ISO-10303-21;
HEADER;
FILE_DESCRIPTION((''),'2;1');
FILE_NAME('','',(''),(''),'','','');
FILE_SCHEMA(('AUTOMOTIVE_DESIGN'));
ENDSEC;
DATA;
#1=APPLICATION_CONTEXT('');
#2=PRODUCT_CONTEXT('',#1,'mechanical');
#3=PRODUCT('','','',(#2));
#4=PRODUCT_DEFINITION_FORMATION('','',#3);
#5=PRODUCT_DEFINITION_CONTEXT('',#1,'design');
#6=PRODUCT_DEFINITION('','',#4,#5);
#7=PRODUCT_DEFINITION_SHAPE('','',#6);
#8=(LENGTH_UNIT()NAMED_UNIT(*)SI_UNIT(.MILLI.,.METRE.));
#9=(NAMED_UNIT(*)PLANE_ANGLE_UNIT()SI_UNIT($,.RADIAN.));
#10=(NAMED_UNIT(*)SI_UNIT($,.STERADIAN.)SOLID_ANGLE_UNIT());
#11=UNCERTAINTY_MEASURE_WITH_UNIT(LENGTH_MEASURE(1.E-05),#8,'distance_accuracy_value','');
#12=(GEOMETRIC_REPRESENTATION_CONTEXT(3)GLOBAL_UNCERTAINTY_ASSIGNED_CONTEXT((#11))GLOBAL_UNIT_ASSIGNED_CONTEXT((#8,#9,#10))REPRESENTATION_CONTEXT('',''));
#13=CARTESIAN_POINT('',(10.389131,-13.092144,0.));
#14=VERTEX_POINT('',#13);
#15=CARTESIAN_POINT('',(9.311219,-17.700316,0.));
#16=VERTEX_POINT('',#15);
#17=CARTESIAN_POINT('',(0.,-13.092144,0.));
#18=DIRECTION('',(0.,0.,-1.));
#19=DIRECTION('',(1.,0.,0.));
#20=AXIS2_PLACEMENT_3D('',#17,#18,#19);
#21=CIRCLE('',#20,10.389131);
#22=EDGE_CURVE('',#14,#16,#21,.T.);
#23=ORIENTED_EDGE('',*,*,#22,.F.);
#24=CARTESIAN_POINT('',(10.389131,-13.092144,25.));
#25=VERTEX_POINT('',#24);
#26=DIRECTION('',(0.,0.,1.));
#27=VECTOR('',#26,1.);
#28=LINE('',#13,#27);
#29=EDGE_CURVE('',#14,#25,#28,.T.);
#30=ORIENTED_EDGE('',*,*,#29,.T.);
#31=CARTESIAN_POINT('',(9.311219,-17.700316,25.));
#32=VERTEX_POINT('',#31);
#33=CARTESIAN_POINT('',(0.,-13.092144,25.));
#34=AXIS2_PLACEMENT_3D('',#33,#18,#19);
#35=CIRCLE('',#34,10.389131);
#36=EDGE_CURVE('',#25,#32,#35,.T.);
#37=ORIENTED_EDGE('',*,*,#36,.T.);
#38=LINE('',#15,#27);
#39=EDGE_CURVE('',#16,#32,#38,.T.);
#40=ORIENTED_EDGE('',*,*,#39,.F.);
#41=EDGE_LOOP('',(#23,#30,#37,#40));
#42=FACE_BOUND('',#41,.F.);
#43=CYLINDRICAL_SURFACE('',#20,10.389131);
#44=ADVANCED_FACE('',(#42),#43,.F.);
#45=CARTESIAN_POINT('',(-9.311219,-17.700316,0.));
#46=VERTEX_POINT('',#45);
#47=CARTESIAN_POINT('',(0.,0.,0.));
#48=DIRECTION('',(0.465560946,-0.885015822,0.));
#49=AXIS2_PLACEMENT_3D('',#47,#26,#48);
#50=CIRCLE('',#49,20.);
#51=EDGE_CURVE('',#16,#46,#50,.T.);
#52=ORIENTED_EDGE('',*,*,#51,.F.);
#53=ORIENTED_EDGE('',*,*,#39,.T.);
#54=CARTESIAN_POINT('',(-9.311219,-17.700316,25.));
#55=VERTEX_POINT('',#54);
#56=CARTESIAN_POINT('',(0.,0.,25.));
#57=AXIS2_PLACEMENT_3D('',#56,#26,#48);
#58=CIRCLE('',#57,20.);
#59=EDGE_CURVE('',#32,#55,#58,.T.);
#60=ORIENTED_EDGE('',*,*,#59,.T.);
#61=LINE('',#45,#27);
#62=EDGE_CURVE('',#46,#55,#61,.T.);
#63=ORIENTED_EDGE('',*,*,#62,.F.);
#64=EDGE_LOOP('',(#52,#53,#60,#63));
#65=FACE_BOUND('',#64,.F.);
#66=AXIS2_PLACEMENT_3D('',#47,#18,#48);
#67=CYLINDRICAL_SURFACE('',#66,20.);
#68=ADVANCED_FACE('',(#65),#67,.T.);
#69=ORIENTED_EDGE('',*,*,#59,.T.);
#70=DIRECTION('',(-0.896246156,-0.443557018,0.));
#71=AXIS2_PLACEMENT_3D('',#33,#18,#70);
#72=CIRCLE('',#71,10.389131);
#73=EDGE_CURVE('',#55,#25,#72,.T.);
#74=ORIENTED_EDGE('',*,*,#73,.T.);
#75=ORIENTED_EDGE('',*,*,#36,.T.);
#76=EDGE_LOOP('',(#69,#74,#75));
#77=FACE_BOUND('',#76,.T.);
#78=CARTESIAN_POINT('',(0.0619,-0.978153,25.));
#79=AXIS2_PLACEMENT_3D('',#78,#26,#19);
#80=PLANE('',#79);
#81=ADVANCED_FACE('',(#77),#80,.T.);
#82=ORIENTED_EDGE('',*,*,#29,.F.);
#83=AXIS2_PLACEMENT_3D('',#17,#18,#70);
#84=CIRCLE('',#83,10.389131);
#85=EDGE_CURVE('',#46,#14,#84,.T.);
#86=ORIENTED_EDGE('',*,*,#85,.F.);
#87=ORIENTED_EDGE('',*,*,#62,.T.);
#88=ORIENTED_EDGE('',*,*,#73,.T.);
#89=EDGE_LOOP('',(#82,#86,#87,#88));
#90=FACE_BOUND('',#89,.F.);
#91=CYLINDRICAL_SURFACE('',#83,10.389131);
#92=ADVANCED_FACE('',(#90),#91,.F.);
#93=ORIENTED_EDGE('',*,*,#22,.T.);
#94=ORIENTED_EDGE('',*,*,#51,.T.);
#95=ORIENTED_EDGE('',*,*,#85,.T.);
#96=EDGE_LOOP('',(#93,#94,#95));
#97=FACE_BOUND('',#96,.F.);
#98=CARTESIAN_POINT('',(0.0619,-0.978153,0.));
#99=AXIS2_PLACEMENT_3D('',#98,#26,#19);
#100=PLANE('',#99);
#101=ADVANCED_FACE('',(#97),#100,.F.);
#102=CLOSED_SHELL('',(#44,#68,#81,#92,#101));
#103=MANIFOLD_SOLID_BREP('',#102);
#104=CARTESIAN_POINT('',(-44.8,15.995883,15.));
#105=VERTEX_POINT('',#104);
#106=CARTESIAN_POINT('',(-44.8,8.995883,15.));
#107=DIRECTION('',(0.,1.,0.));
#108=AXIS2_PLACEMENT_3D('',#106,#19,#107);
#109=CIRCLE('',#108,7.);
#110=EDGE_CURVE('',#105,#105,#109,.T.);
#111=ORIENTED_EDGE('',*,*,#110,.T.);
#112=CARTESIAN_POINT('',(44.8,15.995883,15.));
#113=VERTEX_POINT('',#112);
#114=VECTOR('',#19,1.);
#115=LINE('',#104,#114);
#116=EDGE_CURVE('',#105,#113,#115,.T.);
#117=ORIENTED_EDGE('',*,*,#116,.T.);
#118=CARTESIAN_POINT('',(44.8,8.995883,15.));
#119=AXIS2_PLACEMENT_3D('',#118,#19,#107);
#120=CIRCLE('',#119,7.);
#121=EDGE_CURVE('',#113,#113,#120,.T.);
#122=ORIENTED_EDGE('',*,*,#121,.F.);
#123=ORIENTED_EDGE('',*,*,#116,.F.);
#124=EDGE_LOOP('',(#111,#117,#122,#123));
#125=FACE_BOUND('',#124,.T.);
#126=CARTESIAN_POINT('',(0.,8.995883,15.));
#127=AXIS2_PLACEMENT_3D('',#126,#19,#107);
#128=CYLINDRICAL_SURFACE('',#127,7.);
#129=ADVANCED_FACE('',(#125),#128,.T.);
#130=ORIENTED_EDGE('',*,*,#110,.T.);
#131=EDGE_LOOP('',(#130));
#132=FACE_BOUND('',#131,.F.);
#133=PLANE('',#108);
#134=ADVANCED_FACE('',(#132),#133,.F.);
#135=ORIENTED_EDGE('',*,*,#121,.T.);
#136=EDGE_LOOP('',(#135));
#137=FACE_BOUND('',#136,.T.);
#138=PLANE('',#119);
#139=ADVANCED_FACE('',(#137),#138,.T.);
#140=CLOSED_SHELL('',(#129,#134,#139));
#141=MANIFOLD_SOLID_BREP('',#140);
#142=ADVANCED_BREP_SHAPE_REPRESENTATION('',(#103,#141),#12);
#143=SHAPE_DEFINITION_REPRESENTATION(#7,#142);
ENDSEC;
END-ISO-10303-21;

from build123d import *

# Parameters (mm, degrees)
F1_DEPTH = 25
F2_R     = 7
F3_DEPTH = 44.8


with BuildPart() as f1:
    # F0 (on Top) → F1 (new body)
    with BuildSketch(Plane.XY):
        with BuildLine():
            ThreePointArc((9.3112189127, -17.700316448), (17.1205195344, -10.3386561444), (20, 0))
            ThreePointArc((20, 0), (-10.3386561444, 17.1205195344), (-9.3112189127, -17.700316448))
            ThreePointArc((-9.3112189127, -17.700316448), (-2.366281081, -2.976079882), (10.3891312117, -13.0921443924))
            ThreePointArc((10.3891312117, -13.0921443924), (10.1160645105, -15.4584254735), (9.3112189127, -17.700316448))
        make_face()
    extrude(amount=F1_DEPTH)


with BuildPart() as f3:
    # F2 (on Right) → F3 (new body, symmetric)
    with BuildSketch(Plane.YZ):
        with Locations((8.9958831668, 15)):
            Circle(F2_R)
    extrude(amount=F3_DEPTH, both=True)


solid = Compound([f1.part, f3.part])
